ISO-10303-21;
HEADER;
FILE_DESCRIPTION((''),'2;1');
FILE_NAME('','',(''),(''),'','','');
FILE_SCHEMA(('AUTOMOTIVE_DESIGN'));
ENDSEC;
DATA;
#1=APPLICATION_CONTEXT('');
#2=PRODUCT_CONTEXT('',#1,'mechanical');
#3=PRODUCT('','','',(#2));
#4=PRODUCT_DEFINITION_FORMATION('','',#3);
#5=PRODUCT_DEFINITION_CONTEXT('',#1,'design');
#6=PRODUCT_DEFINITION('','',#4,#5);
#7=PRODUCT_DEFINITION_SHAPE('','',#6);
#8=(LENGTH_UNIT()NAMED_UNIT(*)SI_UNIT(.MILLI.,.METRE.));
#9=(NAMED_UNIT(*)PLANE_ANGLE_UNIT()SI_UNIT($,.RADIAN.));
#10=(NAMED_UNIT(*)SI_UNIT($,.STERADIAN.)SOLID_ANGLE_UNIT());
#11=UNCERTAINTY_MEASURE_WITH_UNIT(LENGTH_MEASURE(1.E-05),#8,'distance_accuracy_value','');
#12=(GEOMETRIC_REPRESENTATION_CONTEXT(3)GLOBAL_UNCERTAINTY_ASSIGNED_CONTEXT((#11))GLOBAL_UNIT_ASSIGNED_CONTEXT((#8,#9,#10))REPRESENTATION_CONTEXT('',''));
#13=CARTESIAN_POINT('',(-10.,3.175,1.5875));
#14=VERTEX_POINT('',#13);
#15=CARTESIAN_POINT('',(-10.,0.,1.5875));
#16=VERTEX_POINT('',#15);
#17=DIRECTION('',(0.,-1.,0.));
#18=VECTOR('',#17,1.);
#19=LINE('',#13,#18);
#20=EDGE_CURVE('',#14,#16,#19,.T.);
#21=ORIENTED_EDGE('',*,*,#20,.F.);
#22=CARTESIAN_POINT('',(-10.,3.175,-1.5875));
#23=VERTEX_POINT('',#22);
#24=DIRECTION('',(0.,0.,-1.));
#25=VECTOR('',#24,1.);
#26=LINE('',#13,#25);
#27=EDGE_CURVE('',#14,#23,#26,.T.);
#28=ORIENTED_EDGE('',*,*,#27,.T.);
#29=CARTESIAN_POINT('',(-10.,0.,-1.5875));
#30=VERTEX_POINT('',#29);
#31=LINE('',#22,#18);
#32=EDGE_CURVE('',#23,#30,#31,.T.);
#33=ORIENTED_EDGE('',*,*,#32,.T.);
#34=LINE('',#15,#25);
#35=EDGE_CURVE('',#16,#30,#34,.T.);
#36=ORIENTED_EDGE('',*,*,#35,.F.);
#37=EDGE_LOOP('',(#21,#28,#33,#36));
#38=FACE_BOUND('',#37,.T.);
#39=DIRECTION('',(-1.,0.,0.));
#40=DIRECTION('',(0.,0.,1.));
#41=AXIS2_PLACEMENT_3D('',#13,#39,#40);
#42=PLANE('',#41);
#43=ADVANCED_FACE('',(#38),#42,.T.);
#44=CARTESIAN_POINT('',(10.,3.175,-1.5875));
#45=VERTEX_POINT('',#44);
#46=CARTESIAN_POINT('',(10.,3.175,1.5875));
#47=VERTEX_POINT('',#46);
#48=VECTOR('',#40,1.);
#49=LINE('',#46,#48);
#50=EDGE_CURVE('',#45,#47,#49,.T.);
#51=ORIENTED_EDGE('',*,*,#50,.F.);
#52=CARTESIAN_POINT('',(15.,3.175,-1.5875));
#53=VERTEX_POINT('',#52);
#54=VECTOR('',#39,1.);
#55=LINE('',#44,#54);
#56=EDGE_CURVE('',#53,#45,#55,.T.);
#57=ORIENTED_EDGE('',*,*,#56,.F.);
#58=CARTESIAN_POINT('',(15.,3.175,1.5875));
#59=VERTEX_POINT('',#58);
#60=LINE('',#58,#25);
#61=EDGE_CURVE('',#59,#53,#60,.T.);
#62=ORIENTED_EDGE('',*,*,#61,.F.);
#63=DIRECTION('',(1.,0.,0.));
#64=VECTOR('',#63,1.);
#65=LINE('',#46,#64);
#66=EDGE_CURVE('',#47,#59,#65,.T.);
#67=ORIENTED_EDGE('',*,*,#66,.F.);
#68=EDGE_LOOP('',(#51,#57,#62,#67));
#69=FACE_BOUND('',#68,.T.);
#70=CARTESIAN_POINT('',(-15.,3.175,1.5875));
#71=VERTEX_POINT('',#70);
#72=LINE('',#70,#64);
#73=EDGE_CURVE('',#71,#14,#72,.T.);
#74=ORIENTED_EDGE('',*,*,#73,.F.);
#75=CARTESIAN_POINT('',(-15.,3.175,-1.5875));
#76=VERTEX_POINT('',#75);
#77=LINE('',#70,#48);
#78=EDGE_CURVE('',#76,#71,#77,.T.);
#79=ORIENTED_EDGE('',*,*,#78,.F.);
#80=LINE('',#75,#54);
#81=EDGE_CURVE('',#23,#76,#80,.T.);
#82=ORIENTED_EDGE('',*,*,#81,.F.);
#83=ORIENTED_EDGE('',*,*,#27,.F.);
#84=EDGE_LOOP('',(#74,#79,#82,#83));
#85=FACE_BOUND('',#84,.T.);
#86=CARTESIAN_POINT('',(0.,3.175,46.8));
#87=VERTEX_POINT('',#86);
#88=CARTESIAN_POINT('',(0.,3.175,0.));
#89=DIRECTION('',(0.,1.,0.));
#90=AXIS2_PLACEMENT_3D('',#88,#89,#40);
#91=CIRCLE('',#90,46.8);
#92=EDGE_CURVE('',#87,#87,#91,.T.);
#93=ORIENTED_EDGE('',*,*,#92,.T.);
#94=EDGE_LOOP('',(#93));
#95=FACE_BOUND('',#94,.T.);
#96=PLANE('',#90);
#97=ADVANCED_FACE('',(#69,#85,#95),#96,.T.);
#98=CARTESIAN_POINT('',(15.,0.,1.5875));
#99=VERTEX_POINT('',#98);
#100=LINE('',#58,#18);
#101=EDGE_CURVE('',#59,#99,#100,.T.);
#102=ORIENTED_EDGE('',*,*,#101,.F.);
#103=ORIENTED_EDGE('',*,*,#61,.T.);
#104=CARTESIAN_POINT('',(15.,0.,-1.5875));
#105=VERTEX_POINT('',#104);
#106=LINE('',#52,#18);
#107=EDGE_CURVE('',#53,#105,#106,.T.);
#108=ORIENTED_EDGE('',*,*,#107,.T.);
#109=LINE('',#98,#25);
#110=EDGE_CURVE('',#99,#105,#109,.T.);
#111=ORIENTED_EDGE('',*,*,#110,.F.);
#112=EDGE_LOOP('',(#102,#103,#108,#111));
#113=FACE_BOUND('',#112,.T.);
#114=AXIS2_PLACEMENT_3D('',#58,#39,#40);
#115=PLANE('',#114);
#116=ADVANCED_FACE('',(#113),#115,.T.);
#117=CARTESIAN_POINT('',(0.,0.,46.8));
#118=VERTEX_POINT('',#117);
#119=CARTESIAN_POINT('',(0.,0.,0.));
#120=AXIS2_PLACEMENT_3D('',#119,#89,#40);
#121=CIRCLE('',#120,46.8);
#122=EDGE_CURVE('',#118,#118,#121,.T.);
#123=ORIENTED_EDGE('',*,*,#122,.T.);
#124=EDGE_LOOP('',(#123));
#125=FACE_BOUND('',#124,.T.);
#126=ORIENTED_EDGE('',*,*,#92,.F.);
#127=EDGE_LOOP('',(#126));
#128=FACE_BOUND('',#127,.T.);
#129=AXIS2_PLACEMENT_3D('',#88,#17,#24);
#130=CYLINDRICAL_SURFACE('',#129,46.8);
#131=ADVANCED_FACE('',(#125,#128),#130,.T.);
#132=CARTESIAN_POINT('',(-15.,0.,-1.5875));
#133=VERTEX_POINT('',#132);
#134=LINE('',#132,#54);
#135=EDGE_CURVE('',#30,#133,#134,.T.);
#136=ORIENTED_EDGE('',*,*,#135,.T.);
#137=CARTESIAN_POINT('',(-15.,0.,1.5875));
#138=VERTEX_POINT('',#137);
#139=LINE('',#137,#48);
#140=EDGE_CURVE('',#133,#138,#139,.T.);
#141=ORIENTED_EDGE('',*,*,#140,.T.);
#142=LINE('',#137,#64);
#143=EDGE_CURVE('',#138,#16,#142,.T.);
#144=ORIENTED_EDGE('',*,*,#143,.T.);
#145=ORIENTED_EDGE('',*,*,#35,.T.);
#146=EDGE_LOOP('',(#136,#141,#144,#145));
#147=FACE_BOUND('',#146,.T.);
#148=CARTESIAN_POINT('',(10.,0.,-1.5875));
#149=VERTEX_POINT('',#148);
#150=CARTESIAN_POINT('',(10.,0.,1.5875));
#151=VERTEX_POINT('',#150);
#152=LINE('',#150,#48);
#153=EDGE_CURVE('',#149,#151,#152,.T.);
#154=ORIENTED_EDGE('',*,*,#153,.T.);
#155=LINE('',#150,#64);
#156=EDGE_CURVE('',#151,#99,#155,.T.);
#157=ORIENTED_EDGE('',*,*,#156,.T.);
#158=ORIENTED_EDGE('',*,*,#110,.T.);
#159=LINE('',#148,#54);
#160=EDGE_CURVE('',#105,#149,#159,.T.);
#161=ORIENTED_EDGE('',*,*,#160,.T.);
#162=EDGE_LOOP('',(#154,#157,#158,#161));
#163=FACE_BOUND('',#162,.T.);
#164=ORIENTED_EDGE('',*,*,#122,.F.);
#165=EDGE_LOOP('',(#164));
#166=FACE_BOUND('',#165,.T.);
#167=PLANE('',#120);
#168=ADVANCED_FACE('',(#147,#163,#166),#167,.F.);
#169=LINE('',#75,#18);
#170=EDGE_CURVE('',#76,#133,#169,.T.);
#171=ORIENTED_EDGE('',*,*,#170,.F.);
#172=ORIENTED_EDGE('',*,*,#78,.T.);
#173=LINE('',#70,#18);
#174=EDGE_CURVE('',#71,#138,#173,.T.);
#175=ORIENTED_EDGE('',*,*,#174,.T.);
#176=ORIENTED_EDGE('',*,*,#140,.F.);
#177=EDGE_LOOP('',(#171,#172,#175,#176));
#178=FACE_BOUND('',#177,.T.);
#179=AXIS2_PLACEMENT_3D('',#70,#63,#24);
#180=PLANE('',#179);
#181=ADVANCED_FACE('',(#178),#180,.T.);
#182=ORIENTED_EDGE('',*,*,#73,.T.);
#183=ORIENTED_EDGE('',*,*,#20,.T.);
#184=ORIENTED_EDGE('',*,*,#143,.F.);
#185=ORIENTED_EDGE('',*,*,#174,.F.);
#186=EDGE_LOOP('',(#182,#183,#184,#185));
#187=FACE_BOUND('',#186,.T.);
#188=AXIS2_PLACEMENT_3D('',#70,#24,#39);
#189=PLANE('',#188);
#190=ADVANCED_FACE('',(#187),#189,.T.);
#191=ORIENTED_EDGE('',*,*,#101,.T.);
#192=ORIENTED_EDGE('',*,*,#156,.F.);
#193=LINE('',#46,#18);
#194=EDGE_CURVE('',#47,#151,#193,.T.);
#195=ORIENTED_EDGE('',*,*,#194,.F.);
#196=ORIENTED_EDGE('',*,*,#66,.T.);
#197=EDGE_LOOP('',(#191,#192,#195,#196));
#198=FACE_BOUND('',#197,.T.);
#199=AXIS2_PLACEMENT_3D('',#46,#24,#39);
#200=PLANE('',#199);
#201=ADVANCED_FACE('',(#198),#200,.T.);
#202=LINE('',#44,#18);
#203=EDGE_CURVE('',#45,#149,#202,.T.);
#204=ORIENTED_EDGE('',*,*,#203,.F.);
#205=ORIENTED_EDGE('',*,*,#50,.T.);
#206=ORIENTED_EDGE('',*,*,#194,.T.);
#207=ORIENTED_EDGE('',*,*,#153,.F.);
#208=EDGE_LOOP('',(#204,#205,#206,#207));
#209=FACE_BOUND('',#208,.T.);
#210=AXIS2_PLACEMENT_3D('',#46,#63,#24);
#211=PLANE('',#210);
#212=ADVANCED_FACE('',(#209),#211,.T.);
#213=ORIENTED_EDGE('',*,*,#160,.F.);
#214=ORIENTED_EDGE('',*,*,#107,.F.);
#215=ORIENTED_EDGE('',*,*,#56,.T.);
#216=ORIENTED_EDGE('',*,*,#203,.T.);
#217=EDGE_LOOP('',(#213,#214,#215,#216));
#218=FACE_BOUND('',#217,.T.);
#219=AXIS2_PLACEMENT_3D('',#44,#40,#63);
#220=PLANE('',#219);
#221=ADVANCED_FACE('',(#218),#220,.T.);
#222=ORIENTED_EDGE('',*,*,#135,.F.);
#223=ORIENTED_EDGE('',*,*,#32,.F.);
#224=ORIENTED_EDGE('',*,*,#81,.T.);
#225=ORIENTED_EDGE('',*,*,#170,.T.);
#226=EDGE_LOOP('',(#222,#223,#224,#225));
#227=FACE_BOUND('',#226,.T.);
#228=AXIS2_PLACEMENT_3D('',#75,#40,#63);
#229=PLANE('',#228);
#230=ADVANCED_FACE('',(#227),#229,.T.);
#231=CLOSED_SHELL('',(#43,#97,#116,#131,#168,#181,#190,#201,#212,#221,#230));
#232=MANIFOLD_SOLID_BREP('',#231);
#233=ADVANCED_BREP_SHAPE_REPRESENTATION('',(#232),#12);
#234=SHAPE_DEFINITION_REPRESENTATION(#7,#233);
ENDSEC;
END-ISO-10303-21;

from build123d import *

# Parameters (mm, degrees)
SKETCH1_R           = 46.8
SKETCH1_W           = 5
SKETCH1_H           = 3.175
BOSS_EXTRUDE1_DEPTH = 3.175


with BuildPart() as part:
    # Sketch1 → Boss-Extrude1 (new body)
    with BuildSketch(Plane(origin=(0, 0, 0), x_dir=(1, 0, 0), z_dir=(0, 1, 0))):
        with Locations(Location((0, 0, 0), (0, 0, 270))):
            Circle(SKETCH1_R)
        with Locations((-12.5, 0)):
            Rectangle(SKETCH1_W, SKETCH1_H, mode=Mode.SUBTRACT)
        with Locations((12.5, 0)):
            Rectangle(SKETCH1_W, SKETCH1_H, mode=Mode.SUBTRACT)
    extrude(amount=BOSS_EXTRUDE1_DEPTH)


solid = part.part
